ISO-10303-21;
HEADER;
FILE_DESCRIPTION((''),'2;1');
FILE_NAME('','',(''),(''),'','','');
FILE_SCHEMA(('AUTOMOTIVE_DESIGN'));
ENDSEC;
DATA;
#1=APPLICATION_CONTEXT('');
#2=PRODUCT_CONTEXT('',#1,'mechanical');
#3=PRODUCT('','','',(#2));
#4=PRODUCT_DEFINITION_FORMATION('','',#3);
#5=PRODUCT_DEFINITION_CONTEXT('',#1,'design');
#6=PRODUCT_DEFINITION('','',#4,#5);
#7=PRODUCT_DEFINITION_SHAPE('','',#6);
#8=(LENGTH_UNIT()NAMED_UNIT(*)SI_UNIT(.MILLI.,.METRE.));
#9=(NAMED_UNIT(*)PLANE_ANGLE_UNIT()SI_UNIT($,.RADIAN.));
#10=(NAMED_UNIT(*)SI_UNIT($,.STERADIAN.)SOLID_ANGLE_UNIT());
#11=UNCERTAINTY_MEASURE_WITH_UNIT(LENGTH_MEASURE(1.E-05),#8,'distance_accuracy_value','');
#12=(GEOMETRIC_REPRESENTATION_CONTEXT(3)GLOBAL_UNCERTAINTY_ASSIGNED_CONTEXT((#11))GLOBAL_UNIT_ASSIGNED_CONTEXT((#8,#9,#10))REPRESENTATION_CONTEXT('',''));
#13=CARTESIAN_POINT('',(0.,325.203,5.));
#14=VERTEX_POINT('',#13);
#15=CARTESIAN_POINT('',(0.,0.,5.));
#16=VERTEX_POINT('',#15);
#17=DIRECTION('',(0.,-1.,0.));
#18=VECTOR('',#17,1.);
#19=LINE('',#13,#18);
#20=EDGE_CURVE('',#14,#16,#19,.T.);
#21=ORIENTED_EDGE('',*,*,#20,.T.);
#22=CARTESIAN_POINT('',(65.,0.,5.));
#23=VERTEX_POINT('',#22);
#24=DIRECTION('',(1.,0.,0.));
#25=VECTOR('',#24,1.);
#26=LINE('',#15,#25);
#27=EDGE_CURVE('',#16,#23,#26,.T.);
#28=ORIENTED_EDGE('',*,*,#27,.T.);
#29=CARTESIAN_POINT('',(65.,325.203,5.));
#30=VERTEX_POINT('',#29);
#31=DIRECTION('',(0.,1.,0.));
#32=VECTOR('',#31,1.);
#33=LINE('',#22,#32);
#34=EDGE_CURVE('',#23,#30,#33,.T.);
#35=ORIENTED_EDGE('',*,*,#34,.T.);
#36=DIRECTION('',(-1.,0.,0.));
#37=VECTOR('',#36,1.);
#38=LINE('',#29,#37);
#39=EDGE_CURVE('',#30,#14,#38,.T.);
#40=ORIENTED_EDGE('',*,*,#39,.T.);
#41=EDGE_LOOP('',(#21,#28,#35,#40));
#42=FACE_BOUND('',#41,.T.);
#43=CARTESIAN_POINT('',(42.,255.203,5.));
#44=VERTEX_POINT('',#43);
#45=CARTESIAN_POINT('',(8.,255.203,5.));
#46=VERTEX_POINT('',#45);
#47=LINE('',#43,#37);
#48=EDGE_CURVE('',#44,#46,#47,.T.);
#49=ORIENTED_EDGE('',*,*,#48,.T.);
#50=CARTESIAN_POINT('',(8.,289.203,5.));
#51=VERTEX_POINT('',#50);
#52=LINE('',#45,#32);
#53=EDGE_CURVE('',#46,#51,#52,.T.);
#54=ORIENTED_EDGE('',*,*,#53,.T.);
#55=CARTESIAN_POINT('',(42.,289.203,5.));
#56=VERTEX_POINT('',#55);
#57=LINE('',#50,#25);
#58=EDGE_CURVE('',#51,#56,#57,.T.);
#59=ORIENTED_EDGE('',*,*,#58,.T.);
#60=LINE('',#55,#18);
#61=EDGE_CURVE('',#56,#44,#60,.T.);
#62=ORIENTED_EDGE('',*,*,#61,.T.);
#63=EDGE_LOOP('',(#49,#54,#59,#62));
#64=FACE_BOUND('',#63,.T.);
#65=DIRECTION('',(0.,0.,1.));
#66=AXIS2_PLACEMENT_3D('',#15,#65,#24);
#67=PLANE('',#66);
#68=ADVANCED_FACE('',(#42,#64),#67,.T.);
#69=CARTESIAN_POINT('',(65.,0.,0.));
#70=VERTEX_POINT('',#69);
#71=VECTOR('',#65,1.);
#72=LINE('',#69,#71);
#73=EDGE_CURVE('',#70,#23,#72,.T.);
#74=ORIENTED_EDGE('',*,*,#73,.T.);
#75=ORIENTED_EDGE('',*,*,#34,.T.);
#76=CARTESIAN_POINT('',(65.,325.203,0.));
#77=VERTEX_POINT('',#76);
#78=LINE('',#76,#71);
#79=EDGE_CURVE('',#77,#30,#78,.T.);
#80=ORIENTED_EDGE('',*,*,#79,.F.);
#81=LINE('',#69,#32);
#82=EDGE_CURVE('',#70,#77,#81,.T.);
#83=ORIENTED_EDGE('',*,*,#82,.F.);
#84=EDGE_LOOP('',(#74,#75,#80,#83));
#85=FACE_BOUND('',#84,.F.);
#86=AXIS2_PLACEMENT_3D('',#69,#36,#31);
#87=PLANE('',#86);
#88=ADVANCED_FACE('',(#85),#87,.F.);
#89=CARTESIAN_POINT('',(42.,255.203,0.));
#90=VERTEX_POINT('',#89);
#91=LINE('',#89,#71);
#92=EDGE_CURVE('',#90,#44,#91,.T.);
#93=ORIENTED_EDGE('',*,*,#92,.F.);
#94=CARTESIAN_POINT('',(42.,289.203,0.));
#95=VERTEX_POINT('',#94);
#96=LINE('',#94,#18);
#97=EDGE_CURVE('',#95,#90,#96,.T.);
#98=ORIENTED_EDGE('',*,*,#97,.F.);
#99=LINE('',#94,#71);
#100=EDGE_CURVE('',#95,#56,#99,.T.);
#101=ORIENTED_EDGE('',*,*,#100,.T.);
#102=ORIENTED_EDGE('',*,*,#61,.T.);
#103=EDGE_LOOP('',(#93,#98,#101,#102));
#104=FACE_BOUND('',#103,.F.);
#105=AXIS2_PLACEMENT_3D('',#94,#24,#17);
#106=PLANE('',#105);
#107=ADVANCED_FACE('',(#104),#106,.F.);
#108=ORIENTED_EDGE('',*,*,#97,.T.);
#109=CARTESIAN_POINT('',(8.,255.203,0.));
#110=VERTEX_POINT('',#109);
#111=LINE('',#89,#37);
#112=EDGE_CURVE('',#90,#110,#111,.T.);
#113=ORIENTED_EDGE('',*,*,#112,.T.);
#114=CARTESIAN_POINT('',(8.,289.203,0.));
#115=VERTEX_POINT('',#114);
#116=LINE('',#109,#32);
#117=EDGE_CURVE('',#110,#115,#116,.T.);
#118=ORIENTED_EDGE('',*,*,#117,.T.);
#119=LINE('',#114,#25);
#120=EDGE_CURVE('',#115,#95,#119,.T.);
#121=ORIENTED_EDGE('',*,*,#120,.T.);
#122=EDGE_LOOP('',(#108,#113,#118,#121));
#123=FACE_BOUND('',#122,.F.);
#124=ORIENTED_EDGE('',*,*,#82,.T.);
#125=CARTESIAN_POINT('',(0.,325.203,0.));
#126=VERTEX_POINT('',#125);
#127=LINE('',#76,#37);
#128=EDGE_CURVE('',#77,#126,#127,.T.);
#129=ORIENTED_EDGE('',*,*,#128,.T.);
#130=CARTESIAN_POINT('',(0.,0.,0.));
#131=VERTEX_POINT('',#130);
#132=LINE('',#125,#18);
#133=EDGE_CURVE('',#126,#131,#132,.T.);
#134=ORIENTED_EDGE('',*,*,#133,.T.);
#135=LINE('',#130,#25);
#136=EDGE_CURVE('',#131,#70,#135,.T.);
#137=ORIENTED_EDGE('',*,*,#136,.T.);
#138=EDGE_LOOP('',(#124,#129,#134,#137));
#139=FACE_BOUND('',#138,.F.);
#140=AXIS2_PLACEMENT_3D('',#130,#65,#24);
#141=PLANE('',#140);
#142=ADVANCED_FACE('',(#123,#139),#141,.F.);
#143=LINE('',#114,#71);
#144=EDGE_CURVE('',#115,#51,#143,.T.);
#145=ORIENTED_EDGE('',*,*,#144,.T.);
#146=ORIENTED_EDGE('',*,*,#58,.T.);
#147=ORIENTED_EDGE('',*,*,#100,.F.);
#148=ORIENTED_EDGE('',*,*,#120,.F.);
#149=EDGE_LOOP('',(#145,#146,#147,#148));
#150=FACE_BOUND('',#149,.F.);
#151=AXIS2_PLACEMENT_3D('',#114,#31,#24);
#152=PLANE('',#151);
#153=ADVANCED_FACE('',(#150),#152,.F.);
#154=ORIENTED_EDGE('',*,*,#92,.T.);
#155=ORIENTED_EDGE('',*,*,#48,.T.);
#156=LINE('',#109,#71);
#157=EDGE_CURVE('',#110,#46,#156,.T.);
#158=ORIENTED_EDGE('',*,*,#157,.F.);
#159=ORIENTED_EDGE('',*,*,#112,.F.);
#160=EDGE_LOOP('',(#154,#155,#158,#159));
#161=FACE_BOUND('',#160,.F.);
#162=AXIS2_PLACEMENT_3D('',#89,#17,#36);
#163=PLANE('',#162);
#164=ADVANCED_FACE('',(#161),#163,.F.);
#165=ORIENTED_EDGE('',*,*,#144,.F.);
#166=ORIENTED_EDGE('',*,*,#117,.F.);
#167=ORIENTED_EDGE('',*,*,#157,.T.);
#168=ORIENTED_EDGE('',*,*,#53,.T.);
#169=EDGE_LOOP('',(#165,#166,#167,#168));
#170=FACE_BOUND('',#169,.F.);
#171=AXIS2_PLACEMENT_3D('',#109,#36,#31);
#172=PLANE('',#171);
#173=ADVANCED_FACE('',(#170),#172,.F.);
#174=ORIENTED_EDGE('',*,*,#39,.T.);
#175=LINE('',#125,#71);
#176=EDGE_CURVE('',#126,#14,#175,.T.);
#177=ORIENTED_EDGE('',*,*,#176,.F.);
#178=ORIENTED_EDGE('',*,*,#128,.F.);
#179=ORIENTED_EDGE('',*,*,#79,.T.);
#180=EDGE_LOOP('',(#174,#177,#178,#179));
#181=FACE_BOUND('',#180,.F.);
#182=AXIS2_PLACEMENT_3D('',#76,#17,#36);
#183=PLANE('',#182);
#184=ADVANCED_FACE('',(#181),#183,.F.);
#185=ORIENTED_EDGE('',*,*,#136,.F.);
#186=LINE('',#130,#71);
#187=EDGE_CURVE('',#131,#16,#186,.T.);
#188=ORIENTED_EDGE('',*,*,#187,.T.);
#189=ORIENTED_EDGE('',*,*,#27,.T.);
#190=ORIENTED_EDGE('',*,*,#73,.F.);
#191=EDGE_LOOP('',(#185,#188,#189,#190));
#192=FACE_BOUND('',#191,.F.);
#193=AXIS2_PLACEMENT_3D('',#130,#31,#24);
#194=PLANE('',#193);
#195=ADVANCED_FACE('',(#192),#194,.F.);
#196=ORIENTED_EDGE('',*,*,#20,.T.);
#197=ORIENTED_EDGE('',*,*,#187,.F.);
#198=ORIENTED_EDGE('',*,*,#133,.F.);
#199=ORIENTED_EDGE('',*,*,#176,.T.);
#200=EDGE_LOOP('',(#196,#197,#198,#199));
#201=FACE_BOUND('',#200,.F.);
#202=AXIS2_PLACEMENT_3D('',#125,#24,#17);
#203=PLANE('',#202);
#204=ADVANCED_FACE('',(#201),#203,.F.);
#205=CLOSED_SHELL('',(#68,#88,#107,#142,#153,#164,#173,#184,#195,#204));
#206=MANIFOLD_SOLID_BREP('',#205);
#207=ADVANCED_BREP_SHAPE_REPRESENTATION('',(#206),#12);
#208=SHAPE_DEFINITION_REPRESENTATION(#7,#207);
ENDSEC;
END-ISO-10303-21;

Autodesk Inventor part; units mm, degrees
ref_plane "YZ Plane" through (0, 0, 0) normal (1, 0, 0) x (0, 1, 0)
ref_plane "XZ Plane" through (0, 0, 0) normal (0, 1, 0) x (-1, 0, 0)
ref_plane "XY Plane" through (0, 0, 0) normal (0, 0, 1) x (1, 0, 0)
sketch "Sketch1" plane through (0, 0, 0) normal (0, 0, 1) x (1, 0, 0)
  line L0 (0, 0) -> (65, 0)
  line L1 (65, 0) -> (65, 325.203)
  line L2 (65, 325.203) -> (0, 325.203)
  line L3 (0, 325.203) -> (0, 0)
  line L4 (8, 289.203) -> (42, 289.203)
  line L5 (42, 289.203) -> (42, 255.203)
  line L6 (42, 255.203) -> (8, 255.203)
  line L7 (8, 255.203) -> (8, 289.203)
  point P0 (32.5, 325.203)
  dimension "d0" = 65
  dimension "d1" = 325.203
  dimension "d8" = 34
  dimension "d9" = 34
  dimension "d10" = 8
  dimension "d11" = 36
extrude "Extrusion1" add sketch "Sketch1" along normal blind 5
properties part number "partttt"
